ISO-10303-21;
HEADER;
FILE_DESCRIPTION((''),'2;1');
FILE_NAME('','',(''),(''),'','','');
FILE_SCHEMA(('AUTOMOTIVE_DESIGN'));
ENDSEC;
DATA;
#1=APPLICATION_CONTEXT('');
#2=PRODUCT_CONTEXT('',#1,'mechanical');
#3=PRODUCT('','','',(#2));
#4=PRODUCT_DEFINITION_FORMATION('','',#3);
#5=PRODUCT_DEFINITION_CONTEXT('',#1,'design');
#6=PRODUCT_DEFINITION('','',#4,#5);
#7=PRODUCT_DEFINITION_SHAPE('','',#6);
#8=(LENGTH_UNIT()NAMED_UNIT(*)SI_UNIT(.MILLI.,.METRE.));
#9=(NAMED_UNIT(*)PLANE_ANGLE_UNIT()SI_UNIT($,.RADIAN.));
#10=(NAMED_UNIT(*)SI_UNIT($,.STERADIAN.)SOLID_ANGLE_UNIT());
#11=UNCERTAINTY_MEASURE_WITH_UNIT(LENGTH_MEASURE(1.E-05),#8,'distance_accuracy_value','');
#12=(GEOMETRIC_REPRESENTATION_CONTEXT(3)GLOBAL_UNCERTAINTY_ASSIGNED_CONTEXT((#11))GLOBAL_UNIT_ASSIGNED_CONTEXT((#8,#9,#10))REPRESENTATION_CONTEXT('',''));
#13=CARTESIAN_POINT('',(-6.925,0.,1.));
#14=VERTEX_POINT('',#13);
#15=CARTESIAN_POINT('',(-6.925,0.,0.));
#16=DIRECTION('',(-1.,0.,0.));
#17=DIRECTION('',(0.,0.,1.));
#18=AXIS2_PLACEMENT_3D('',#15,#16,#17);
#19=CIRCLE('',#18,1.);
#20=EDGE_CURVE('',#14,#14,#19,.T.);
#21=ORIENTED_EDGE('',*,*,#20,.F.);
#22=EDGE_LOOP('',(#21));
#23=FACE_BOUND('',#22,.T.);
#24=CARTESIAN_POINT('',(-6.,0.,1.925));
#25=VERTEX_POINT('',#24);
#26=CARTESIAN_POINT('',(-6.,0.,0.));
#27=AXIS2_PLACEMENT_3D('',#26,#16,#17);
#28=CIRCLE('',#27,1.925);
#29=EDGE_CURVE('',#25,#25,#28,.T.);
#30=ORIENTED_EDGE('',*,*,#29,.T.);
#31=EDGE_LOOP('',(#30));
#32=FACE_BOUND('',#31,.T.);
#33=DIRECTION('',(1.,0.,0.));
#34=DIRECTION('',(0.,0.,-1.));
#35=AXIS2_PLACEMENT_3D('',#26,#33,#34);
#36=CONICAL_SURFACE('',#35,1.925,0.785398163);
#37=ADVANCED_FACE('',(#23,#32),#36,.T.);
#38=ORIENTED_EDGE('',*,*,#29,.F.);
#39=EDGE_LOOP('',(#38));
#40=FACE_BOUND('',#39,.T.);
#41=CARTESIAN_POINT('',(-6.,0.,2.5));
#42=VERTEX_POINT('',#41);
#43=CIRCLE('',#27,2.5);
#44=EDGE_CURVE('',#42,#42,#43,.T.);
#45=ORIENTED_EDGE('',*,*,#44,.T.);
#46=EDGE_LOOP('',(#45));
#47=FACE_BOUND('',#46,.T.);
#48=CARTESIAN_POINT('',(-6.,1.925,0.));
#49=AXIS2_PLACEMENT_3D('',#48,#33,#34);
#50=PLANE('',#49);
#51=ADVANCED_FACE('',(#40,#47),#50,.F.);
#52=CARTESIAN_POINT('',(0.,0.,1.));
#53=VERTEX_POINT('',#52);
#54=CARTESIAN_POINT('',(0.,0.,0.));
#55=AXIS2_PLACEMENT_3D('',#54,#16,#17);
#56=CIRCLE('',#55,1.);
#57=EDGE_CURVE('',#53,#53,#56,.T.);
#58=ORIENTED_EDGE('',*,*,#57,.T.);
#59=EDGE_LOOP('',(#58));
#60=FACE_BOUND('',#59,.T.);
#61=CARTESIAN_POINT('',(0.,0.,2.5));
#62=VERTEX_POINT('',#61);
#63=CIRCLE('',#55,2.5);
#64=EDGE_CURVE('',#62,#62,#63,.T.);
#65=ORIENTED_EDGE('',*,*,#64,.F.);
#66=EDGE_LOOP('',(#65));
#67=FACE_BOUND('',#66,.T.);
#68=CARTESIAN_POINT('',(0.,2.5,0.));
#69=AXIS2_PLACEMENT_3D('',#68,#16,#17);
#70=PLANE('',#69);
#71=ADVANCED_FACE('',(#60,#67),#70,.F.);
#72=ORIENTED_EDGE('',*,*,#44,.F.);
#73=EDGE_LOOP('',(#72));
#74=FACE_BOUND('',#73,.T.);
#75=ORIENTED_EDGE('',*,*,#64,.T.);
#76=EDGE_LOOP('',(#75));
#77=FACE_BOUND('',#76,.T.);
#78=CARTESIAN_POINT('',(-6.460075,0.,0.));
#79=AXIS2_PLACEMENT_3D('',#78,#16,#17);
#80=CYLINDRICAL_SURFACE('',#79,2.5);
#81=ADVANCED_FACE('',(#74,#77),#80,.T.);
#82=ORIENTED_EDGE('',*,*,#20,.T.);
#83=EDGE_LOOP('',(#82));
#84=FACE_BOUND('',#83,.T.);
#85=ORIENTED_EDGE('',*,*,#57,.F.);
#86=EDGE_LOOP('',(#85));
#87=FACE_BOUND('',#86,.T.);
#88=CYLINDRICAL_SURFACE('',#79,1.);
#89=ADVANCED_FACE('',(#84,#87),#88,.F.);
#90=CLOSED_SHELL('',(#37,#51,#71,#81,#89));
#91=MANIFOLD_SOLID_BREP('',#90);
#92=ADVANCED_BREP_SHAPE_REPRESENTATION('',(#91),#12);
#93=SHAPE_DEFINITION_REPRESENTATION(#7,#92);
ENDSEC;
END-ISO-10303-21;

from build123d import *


with BuildPart() as part:
    # Skizze1 → Rotation1 (revolve)
    with BuildSketch(Plane.XY):
        Polygon((-6.925, 1), (-6, 1.925), (-6, 2.5), (0, 2.5), (0, 1), align=None)
    revolve(axis=Axis((-6.460075315, 0, 0), (1, 0, 0)))


solid = part.part
